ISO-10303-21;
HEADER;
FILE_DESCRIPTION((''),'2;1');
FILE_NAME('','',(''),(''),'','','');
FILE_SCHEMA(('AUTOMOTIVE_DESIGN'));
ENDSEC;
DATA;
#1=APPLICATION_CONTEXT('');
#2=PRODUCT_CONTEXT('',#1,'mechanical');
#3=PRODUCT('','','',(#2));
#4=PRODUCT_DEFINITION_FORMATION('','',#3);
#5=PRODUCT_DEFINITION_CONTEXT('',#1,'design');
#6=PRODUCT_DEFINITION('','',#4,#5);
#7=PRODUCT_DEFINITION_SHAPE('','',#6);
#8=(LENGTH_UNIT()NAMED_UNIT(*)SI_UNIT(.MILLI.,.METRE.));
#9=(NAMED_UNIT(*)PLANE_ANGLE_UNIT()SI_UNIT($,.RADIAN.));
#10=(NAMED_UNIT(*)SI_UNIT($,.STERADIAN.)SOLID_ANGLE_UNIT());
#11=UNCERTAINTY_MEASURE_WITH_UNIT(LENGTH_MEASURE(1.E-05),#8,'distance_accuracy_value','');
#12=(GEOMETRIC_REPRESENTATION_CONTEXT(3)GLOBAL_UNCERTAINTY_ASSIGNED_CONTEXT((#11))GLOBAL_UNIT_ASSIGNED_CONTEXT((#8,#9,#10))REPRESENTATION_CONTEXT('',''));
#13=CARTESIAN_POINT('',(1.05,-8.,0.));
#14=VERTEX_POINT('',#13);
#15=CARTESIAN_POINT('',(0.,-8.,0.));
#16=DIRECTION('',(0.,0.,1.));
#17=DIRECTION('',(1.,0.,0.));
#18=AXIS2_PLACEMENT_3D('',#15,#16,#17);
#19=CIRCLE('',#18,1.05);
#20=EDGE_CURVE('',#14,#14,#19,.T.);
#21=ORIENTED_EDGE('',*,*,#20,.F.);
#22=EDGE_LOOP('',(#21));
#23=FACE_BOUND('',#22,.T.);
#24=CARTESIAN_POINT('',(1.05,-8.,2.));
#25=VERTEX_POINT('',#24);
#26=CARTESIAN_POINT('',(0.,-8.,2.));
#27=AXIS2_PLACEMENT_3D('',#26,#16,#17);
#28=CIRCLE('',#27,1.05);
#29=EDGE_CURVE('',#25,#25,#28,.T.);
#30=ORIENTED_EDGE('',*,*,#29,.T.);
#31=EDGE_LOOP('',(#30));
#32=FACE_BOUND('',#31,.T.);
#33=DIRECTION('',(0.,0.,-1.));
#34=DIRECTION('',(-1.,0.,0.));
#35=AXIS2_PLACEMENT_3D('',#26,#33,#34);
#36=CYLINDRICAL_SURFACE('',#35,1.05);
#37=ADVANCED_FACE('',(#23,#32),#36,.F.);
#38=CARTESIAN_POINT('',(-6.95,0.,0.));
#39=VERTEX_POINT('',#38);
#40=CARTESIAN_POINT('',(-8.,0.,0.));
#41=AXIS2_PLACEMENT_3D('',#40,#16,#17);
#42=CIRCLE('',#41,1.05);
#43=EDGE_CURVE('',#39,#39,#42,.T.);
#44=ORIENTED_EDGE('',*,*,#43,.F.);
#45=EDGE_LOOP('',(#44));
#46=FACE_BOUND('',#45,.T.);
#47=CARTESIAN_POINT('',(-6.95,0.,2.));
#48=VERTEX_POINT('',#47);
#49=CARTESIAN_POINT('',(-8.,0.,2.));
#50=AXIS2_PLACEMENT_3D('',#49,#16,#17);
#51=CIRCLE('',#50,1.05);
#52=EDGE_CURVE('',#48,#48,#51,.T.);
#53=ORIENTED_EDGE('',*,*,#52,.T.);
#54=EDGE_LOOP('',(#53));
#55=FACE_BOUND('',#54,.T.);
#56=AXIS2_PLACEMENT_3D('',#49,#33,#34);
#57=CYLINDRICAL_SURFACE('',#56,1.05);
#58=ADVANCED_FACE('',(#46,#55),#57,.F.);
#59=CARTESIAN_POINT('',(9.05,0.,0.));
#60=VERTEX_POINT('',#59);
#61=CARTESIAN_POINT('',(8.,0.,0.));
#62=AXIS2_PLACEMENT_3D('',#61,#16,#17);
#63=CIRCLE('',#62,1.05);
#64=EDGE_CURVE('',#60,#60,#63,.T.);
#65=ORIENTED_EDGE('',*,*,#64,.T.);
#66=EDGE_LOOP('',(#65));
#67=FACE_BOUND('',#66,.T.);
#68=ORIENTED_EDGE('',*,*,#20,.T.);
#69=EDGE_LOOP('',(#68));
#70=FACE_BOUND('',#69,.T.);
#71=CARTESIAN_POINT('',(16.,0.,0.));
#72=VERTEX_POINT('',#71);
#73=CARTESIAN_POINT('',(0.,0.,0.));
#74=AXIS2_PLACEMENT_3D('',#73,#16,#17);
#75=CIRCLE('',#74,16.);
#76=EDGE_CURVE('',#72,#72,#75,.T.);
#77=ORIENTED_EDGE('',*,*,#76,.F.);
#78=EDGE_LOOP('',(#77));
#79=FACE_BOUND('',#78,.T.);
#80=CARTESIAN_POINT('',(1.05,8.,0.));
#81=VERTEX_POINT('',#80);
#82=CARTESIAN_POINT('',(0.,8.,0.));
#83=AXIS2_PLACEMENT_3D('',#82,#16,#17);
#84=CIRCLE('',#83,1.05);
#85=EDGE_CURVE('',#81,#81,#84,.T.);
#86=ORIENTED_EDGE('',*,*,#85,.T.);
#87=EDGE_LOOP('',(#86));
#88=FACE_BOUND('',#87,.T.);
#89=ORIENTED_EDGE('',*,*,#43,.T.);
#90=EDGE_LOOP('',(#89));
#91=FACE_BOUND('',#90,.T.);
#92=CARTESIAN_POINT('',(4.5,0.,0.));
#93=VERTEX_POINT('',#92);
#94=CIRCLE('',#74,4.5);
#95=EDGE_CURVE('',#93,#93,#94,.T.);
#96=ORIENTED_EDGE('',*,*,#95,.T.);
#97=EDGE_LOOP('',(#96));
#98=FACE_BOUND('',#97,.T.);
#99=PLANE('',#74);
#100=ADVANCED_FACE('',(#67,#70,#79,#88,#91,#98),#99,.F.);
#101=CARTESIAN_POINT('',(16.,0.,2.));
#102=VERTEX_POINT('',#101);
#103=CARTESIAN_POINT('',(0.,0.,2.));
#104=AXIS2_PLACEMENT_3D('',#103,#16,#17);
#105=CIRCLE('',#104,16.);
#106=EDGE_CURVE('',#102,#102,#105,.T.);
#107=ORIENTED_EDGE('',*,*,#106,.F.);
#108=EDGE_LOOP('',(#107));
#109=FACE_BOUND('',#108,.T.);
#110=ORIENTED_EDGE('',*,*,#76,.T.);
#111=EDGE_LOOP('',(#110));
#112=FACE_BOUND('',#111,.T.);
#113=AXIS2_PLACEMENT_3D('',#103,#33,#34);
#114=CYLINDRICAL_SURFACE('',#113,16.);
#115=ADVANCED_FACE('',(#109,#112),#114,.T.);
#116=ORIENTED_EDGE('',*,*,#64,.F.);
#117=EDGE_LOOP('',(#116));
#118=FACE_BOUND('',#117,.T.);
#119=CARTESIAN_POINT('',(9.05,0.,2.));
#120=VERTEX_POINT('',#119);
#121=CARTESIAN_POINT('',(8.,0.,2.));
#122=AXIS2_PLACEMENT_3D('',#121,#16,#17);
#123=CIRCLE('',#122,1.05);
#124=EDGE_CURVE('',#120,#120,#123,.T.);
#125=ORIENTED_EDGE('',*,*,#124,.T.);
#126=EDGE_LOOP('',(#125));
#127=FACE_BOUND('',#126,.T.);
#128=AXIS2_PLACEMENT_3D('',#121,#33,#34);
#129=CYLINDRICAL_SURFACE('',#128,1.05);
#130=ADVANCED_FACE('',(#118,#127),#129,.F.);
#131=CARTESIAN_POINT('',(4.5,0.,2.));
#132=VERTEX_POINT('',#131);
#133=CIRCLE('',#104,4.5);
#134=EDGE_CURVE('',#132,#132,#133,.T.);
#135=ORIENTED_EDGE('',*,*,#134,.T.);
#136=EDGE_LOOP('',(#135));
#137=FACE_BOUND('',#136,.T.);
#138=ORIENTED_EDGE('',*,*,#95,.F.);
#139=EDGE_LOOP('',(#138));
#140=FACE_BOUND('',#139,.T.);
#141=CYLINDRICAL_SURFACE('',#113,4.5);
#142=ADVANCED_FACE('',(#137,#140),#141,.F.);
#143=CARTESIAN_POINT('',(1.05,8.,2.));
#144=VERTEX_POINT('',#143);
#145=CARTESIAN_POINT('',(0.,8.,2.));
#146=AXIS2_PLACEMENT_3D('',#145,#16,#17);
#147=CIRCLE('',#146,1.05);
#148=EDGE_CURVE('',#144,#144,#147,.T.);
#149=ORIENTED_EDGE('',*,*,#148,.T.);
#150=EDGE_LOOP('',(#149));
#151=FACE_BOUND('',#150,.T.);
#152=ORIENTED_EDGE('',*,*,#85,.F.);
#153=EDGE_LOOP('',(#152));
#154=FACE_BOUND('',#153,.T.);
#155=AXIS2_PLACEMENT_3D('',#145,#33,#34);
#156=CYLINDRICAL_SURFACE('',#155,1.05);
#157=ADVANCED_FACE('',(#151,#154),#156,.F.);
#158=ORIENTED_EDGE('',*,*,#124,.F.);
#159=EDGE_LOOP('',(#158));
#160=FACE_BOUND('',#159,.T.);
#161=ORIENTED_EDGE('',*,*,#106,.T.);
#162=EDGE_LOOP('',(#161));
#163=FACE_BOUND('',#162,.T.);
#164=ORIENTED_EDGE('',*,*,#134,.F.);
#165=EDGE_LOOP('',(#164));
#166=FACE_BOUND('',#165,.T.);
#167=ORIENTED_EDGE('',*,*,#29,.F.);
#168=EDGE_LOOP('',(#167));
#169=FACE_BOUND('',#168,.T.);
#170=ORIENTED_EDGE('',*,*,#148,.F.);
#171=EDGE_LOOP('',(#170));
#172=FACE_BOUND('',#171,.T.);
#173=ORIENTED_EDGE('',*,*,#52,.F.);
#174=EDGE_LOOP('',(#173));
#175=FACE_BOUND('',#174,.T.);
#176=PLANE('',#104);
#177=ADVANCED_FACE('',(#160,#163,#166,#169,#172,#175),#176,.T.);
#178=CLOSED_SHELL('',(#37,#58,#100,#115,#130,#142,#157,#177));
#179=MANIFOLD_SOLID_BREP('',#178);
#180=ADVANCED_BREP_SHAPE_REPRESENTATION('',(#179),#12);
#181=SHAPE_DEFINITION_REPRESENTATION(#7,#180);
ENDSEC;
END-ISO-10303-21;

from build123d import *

# Parameters (mm, degrees)
SKETCH1_R           = 16
SKETCH1_R_2         = 4.5
SKETCH1_R_3         = 1.05
BOSS_EXTRUDE1_DEPTH = 2


with BuildPart() as part:
    # Sketch1 → Boss-Extrude1 (new body)
    with BuildSketch(Plane.XY):
        Circle(SKETCH1_R)
        Circle(SKETCH1_R_2, mode=Mode.SUBTRACT)
        with Locations((0, 8)):
            Circle(SKETCH1_R_3, mode=Mode.SUBTRACT)
        with Locations((8, 0)):
            Circle(SKETCH1_R_3, mode=Mode.SUBTRACT)
        with Locations((0, -8)):
            Circle(SKETCH1_R_3, mode=Mode.SUBTRACT)
        with Locations((-8, 0)):
            Circle(SKETCH1_R_3, mode=Mode.SUBTRACT)
    extrude(amount=BOSS_EXTRUDE1_DEPTH)


solid = part.part
